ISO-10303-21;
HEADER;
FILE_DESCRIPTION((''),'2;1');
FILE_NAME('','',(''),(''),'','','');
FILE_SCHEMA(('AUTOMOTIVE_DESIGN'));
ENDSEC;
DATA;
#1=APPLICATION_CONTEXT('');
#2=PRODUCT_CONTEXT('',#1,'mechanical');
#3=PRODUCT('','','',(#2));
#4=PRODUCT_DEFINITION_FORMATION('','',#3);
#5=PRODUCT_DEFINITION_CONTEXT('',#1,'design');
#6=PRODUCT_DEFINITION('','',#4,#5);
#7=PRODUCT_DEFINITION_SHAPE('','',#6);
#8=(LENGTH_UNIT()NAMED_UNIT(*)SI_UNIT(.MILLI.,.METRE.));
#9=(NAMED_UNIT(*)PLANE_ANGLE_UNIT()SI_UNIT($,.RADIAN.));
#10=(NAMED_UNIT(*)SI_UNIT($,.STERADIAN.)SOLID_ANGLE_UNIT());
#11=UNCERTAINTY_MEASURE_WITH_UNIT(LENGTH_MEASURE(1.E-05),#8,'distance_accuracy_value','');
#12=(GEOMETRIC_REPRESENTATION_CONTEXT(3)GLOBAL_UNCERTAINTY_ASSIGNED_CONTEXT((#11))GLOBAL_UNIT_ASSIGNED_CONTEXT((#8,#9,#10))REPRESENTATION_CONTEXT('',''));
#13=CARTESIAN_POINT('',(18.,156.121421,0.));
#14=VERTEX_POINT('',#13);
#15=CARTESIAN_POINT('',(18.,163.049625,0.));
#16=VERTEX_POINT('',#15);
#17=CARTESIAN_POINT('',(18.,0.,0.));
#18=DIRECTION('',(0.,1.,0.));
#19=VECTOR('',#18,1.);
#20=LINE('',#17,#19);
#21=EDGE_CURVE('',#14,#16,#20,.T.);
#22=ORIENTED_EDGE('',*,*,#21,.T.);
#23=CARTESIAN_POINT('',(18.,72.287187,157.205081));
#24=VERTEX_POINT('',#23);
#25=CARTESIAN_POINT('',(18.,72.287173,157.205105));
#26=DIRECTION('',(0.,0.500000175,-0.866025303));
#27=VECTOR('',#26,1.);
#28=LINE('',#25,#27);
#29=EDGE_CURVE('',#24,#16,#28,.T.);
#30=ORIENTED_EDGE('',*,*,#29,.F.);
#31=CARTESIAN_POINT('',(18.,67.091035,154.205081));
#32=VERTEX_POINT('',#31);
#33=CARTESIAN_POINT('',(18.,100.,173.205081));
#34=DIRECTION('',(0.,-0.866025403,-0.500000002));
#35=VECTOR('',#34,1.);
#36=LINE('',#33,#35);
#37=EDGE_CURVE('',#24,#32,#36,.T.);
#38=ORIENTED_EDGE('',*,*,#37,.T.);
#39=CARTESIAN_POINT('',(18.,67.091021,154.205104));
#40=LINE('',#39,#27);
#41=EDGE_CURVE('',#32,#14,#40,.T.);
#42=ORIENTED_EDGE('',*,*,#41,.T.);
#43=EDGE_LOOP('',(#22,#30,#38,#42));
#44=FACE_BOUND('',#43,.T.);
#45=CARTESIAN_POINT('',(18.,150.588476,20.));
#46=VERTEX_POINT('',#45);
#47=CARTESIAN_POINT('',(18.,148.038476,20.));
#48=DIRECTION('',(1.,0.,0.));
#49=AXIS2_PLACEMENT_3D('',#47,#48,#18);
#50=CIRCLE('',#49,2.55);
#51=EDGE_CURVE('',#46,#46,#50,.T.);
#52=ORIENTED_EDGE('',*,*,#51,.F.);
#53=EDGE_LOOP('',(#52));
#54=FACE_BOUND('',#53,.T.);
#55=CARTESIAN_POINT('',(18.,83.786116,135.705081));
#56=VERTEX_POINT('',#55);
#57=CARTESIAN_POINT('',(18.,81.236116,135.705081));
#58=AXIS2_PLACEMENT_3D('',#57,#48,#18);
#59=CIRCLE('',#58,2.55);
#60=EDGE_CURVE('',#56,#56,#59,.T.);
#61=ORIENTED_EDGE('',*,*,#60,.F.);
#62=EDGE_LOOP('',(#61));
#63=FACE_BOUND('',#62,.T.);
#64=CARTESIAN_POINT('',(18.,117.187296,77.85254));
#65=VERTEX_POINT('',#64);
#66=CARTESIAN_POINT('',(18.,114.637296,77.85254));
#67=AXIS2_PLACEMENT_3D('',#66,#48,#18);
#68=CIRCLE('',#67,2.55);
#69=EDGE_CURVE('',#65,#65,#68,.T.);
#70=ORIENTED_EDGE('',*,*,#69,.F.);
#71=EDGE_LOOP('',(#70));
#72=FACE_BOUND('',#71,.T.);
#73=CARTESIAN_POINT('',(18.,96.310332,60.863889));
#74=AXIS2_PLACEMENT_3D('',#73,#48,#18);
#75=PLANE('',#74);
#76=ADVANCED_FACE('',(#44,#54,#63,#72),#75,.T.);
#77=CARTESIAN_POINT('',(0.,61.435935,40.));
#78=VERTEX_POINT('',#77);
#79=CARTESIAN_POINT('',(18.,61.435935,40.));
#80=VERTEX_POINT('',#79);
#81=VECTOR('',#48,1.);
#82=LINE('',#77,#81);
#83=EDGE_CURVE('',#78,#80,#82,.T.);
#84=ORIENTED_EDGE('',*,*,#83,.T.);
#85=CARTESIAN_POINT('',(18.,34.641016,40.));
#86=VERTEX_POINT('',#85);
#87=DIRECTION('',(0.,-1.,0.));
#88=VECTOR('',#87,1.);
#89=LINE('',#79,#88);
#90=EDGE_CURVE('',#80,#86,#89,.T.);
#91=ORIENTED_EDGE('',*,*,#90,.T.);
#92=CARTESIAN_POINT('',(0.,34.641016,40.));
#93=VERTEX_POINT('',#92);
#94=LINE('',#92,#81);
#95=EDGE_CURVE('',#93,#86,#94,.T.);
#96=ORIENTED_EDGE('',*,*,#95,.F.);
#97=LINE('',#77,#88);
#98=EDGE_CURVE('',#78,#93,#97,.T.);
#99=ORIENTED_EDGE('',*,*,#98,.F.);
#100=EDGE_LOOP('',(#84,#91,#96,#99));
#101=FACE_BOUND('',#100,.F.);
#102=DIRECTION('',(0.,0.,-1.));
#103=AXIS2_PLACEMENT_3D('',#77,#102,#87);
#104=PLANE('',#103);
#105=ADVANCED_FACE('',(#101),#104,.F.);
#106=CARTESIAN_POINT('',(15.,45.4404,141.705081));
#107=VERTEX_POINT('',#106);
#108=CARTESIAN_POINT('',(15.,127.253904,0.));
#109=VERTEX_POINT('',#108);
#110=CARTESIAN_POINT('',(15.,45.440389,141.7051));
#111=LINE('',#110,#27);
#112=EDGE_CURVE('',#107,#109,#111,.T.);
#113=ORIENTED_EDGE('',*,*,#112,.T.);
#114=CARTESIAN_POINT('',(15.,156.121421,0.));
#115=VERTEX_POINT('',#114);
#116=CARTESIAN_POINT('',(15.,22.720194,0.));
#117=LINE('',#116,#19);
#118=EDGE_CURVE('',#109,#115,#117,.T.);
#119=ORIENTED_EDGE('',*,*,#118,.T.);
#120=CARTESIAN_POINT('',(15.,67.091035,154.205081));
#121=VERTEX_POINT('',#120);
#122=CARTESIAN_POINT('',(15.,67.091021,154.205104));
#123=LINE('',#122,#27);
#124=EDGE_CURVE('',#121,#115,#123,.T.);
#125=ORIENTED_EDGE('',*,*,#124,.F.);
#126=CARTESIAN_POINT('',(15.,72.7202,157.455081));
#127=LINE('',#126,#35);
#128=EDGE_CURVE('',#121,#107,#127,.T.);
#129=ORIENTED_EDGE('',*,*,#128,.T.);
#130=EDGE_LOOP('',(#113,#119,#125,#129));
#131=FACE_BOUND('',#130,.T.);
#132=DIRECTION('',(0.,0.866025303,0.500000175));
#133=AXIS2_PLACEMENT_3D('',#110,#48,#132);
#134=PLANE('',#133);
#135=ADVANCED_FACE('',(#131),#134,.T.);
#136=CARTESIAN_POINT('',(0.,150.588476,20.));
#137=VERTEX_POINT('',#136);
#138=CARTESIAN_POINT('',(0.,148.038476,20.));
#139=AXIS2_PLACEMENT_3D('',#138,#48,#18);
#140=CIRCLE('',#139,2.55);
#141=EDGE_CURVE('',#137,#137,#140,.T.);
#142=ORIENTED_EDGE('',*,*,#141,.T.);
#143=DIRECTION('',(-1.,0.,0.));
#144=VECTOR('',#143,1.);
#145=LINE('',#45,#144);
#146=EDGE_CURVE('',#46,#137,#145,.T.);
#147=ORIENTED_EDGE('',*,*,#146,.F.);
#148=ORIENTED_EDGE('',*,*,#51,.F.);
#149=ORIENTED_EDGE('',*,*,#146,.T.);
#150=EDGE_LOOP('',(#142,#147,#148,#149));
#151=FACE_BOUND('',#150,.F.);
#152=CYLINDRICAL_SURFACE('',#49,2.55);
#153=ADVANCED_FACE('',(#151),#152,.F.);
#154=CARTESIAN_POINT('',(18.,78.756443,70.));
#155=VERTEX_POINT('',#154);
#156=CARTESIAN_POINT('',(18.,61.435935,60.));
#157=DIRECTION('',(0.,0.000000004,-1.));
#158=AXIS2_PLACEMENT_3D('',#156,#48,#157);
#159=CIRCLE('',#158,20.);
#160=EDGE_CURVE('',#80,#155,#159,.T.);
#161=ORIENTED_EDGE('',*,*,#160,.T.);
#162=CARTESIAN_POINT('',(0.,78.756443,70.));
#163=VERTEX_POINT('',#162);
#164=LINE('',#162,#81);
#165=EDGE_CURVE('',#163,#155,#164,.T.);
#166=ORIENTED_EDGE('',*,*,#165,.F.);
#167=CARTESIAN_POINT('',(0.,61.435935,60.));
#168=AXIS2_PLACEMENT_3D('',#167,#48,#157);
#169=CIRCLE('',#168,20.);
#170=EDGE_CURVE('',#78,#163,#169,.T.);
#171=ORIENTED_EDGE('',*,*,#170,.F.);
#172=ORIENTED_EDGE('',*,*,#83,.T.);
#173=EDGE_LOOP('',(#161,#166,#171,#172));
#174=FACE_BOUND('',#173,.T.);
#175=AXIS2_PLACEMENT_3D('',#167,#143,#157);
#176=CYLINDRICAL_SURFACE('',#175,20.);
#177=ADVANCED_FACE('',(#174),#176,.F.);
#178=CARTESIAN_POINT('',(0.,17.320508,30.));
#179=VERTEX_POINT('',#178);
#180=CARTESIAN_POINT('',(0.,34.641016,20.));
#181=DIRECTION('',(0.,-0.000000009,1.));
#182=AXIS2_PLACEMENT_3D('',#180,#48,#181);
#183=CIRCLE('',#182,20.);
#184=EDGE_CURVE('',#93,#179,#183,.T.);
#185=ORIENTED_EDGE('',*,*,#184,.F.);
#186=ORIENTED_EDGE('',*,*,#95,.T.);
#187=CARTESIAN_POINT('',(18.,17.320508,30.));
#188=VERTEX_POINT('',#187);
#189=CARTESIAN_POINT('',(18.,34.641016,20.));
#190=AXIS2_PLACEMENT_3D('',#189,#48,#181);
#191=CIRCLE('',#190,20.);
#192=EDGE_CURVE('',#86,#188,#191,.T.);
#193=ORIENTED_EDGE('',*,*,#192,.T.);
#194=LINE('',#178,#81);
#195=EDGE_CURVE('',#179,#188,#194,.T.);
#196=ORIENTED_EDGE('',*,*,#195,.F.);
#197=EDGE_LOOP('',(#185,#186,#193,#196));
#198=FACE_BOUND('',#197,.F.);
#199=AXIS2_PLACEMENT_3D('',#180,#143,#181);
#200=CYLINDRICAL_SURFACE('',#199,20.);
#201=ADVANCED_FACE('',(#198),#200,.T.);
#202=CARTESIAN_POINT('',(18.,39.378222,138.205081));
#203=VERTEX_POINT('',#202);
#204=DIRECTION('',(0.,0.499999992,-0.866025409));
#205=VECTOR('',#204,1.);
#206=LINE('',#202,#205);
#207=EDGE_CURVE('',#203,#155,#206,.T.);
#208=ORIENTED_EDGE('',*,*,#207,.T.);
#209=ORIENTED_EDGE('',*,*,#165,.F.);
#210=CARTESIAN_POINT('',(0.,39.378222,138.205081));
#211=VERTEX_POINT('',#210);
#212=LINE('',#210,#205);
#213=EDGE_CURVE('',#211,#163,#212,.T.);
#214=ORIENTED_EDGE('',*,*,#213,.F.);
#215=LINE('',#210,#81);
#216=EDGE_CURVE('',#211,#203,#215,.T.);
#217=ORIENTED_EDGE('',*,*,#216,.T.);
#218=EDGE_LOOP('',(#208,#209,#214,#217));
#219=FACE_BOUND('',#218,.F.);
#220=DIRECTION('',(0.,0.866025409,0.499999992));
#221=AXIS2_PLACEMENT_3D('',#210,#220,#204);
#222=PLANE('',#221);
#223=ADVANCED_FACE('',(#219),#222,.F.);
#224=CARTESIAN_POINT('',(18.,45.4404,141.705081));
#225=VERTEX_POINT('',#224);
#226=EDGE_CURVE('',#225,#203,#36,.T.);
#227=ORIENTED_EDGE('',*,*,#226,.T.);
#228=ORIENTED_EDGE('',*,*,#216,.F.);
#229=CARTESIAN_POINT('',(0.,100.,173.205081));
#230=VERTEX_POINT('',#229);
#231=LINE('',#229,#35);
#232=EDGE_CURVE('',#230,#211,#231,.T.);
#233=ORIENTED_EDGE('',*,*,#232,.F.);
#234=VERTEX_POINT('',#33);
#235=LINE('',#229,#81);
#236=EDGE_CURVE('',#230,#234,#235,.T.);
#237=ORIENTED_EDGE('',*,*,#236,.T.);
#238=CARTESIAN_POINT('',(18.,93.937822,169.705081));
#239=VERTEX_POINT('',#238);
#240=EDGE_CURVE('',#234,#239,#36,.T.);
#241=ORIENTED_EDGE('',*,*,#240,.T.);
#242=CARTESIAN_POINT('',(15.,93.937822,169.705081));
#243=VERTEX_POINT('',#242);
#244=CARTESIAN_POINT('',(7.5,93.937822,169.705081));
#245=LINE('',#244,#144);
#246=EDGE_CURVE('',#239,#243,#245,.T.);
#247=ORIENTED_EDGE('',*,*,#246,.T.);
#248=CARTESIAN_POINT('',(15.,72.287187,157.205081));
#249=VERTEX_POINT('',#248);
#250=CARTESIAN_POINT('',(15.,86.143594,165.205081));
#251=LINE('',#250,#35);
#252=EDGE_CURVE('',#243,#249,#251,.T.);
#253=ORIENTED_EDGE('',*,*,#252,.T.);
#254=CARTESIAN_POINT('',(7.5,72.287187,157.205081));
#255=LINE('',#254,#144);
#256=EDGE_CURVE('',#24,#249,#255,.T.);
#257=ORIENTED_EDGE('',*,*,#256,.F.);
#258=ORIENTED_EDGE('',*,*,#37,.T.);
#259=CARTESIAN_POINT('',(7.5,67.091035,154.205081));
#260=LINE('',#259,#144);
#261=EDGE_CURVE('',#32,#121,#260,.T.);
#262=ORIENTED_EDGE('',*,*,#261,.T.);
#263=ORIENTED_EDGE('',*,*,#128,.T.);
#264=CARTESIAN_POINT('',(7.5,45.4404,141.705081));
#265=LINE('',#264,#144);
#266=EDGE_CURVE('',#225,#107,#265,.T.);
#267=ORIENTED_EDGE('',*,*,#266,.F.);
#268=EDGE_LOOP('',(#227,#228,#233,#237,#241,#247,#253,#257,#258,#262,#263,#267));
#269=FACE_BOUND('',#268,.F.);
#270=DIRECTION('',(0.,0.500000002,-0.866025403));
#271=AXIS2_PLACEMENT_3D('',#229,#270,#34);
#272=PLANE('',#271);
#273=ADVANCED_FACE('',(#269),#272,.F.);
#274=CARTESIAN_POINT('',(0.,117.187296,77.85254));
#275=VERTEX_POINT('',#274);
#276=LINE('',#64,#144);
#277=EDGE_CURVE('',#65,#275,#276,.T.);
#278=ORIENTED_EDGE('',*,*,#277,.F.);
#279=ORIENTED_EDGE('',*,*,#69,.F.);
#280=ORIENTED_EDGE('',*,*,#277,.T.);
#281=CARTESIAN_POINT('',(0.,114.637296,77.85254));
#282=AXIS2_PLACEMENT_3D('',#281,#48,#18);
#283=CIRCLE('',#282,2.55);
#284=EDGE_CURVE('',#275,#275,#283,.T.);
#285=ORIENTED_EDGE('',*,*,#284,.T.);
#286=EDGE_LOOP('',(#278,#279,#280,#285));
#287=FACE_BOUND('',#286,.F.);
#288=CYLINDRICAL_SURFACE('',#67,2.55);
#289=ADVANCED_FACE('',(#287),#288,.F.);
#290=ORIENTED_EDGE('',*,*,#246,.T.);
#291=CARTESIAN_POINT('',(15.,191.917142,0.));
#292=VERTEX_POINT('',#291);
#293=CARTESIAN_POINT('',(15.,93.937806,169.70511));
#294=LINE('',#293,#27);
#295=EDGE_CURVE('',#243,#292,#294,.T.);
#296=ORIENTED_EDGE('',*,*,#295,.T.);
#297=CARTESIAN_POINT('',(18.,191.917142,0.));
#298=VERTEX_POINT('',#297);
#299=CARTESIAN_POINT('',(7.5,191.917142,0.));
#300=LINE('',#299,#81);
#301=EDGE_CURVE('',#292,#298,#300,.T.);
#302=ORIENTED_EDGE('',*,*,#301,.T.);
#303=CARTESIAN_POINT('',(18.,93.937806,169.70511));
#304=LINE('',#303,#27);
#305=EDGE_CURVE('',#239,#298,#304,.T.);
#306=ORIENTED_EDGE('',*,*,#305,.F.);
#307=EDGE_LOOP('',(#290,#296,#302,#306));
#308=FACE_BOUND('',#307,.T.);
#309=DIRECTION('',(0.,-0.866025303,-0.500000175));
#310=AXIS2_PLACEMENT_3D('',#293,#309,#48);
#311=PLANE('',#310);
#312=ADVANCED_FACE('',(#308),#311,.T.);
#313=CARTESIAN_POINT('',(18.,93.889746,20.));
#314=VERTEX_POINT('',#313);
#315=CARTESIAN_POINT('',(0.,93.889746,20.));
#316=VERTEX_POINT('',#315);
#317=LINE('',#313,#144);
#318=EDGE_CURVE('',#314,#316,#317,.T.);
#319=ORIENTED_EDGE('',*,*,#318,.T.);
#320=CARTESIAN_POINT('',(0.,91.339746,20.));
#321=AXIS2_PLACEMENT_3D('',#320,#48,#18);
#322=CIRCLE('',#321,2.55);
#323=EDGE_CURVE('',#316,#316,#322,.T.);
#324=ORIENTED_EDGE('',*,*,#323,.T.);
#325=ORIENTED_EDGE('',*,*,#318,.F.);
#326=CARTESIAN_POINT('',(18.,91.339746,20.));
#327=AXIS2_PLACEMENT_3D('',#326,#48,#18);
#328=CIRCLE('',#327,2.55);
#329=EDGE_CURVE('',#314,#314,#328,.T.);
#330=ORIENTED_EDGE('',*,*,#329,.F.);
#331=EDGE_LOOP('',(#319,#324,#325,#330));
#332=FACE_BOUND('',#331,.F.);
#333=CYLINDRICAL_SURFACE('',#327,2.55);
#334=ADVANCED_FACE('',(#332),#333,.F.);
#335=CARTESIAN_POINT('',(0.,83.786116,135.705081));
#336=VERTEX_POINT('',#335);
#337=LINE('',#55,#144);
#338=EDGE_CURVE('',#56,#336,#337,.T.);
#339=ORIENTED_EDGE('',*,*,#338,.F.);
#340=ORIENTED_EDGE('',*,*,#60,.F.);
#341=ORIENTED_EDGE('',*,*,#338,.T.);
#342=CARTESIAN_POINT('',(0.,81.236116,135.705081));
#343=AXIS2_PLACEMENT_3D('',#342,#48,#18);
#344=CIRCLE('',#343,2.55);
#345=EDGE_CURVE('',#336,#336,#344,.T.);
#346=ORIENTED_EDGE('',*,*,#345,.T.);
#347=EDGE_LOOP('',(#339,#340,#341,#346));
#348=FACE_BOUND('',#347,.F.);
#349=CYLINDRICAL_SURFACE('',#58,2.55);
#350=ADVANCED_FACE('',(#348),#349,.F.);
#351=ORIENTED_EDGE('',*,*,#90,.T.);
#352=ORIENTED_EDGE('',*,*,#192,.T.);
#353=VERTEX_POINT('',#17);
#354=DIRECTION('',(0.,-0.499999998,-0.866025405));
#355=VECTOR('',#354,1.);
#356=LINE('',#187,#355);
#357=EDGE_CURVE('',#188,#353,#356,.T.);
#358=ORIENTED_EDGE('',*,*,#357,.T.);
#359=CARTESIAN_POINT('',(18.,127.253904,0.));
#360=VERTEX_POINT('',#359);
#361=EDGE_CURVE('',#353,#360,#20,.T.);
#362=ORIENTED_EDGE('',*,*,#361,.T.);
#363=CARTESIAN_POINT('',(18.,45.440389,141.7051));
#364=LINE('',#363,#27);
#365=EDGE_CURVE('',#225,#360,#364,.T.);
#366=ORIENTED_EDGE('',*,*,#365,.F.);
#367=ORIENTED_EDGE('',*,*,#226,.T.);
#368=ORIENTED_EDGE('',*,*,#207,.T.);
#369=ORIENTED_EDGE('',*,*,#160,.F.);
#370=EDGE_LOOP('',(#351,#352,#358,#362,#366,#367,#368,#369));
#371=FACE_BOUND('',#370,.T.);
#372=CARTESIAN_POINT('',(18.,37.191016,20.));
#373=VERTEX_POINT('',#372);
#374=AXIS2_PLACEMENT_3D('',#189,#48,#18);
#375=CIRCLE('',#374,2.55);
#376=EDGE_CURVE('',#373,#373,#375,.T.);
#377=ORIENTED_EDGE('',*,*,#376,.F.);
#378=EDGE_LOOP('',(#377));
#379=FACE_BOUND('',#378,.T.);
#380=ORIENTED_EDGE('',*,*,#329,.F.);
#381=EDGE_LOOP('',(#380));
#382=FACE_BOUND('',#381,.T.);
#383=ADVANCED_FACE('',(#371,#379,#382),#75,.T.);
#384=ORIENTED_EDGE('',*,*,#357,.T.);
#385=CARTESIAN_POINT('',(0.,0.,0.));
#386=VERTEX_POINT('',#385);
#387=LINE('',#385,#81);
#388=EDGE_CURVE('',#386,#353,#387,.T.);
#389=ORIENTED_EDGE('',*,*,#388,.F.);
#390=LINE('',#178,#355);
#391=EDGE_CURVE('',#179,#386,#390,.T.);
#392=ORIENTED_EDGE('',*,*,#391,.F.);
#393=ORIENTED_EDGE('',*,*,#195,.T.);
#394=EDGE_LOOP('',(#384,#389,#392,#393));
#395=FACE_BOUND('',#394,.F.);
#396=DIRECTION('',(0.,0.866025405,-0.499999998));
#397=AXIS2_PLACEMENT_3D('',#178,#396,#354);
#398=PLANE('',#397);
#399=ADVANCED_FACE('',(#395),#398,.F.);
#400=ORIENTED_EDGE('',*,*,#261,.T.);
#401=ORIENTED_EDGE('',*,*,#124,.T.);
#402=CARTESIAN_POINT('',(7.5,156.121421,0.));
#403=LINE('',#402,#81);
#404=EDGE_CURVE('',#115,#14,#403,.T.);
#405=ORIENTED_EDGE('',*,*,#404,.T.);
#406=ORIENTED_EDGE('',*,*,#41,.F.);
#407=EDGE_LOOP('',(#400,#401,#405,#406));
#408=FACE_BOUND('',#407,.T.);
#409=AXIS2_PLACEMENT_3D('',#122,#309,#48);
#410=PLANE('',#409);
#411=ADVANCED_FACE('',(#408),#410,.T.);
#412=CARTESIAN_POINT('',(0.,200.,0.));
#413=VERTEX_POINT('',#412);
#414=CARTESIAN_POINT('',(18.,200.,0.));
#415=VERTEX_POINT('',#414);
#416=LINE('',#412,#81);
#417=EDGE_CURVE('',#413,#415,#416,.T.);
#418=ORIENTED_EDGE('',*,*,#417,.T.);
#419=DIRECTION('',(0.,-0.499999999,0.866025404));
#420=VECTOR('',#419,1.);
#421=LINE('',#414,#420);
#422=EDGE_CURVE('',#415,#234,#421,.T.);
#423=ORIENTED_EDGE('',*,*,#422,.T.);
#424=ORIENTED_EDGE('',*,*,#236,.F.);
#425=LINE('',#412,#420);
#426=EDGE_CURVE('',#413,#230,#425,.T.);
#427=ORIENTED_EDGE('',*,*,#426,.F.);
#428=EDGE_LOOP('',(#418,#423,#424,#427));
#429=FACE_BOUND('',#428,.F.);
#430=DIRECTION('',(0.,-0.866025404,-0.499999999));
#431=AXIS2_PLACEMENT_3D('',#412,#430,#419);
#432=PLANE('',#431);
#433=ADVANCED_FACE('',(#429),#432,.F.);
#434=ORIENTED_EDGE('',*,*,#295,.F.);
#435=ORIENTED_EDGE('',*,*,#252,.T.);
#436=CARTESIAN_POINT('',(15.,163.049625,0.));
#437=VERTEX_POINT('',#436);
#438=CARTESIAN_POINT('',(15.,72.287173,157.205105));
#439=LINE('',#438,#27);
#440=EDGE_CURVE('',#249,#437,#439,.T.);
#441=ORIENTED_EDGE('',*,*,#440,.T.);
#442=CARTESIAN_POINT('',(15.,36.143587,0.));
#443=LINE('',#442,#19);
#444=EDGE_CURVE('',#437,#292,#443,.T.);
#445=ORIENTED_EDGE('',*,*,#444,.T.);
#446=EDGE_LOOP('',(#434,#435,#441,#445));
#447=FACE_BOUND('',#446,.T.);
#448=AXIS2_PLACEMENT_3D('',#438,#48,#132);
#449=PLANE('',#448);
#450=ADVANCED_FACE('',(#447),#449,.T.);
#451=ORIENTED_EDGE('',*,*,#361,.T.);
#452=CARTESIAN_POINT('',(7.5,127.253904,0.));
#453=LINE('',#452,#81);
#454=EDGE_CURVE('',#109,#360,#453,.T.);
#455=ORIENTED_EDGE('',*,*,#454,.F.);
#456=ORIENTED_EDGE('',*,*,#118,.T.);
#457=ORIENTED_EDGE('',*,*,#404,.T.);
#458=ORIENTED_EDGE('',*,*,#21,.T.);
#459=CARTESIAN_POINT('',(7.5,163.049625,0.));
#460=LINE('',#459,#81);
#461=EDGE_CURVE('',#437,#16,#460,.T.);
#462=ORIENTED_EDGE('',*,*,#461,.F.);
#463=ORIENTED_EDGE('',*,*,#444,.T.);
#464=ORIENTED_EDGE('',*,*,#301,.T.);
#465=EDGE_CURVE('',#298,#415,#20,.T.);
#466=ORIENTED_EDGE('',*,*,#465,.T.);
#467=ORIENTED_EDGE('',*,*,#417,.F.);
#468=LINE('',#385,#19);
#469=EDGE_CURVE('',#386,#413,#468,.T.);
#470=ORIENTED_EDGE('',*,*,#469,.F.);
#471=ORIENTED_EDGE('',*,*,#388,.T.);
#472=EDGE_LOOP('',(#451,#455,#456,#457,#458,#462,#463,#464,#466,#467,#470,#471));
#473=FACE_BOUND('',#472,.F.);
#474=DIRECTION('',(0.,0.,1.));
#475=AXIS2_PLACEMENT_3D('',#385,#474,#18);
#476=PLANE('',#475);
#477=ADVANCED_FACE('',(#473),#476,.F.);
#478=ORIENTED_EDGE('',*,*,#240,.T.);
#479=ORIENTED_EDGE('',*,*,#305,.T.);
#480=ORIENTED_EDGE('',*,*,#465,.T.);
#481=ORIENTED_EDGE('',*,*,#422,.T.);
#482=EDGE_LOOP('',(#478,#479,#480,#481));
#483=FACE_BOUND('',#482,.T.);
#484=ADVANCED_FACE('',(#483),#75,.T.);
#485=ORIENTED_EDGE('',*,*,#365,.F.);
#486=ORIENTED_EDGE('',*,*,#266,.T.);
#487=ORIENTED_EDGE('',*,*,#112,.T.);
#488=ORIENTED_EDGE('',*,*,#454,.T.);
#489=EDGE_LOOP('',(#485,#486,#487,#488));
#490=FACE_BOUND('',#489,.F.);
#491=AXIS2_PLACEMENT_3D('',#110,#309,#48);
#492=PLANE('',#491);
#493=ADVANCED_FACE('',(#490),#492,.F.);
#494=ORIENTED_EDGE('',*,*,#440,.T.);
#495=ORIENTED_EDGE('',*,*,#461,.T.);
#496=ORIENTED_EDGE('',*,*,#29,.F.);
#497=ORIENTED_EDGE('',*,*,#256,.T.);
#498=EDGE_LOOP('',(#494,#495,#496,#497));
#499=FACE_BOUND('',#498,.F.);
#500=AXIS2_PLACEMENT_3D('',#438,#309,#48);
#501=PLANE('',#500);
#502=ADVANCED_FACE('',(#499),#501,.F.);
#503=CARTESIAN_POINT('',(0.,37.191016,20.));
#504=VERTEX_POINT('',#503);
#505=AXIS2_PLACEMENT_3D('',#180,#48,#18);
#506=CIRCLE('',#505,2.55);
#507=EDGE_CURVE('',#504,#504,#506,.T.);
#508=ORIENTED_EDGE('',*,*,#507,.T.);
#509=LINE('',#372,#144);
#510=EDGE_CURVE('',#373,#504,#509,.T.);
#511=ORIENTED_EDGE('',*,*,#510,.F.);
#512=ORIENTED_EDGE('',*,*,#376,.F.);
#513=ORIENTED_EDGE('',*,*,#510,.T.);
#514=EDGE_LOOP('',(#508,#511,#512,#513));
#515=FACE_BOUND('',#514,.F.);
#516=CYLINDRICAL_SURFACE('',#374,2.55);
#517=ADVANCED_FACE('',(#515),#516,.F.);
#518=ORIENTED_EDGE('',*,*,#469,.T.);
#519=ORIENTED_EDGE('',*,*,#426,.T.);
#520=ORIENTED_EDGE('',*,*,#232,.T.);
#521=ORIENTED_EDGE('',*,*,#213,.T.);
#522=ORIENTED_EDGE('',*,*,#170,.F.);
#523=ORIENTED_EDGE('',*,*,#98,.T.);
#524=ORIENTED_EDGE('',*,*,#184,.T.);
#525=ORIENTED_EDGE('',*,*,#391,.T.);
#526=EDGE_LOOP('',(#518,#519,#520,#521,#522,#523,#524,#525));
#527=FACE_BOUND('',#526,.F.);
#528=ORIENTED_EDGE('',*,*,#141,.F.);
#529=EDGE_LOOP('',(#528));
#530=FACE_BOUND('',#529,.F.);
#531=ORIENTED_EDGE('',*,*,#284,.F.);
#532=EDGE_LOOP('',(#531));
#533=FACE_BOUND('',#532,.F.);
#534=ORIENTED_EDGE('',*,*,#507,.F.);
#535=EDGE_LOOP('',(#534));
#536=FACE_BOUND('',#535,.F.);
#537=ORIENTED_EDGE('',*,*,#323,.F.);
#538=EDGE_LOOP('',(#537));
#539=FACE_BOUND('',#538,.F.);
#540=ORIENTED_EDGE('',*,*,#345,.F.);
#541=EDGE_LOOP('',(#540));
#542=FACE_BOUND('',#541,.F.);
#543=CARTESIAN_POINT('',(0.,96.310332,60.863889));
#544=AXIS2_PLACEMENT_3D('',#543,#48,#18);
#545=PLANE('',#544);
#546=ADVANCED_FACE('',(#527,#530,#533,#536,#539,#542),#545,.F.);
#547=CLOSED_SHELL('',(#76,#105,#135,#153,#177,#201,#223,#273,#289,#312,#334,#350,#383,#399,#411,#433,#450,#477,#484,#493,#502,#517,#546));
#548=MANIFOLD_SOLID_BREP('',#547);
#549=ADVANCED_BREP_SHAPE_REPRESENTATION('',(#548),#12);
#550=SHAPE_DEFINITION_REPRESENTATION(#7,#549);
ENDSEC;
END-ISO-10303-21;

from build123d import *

# Parameters (mm, degrees)
PAD_DEPTH       = 18
SKETCH001_R     = 2.55
POCKET_DEPTH    = 18.001
SKETCH002_W     = 3
SKETCH002_H     = 25
POCKET002_DEPTH = 200.001


with BuildPart() as part:
    # Sketch → Pad (new body)
    with BuildSketch(Plane.YZ):
        with BuildLine():
            Line((0, 0), (200, 0))
            Line((200, 0), (100, 173.205081))
            Line((100, 173.205081), (39.378222, 138.205081))
            Line((39.378222, 138.205081), (78.756443, 70))
            ThreePointArc((61.435935, 40), (78.756443, 50), (78.756443, 70))
            Line((61.435935, 40), (34.641016, 40))
            ThreePointArc((34.641016, 40), (24.641016, 37.320508), (17.320508, 30))
            Line((17.320508, 30), (0, 0))
        make_face()
    extrude(amount=PAD_DEPTH)

    # Sketch001 (on Face10 of Pad) → Pocket (cut, through all)
    with BuildSketch(Plane.YZ.offset(18)):
        with Locations((81.236116, 135.705081)):
            Circle(SKETCH001_R)
        with Locations((114.637296, 77.85254)):
            Circle(SKETCH001_R)
        with Locations((148.038476, 20)):
            Circle(SKETCH001_R)
        with Locations((91.339746, 20)):
            Circle(SKETCH001_R)
        with Locations((34.641016, 20)):
            Circle(SKETCH001_R)
    extrude(amount=-POCKET_DEPTH, mode=Mode.SUBTRACT)

    # Sketch002 (on Face8 of Clone001) → Pocket002 (cut, through all)
    with BuildSketch(Plane(origin=(0, -50, 86.60254), x_dir=(1, 0, 0), z_dir=(0, -0.5, 0.866025))):
        with Locations((16.5, 153.705081)):
            Rectangle(SKETCH002_W, SKETCH002_H)
        with Locations((16.5, 122.705081)):
            Rectangle(SKETCH002_W, SKETCH002_H)
    extrude(amount=-POCKET002_DEPTH, mode=Mode.SUBTRACT)


solid = part.part
